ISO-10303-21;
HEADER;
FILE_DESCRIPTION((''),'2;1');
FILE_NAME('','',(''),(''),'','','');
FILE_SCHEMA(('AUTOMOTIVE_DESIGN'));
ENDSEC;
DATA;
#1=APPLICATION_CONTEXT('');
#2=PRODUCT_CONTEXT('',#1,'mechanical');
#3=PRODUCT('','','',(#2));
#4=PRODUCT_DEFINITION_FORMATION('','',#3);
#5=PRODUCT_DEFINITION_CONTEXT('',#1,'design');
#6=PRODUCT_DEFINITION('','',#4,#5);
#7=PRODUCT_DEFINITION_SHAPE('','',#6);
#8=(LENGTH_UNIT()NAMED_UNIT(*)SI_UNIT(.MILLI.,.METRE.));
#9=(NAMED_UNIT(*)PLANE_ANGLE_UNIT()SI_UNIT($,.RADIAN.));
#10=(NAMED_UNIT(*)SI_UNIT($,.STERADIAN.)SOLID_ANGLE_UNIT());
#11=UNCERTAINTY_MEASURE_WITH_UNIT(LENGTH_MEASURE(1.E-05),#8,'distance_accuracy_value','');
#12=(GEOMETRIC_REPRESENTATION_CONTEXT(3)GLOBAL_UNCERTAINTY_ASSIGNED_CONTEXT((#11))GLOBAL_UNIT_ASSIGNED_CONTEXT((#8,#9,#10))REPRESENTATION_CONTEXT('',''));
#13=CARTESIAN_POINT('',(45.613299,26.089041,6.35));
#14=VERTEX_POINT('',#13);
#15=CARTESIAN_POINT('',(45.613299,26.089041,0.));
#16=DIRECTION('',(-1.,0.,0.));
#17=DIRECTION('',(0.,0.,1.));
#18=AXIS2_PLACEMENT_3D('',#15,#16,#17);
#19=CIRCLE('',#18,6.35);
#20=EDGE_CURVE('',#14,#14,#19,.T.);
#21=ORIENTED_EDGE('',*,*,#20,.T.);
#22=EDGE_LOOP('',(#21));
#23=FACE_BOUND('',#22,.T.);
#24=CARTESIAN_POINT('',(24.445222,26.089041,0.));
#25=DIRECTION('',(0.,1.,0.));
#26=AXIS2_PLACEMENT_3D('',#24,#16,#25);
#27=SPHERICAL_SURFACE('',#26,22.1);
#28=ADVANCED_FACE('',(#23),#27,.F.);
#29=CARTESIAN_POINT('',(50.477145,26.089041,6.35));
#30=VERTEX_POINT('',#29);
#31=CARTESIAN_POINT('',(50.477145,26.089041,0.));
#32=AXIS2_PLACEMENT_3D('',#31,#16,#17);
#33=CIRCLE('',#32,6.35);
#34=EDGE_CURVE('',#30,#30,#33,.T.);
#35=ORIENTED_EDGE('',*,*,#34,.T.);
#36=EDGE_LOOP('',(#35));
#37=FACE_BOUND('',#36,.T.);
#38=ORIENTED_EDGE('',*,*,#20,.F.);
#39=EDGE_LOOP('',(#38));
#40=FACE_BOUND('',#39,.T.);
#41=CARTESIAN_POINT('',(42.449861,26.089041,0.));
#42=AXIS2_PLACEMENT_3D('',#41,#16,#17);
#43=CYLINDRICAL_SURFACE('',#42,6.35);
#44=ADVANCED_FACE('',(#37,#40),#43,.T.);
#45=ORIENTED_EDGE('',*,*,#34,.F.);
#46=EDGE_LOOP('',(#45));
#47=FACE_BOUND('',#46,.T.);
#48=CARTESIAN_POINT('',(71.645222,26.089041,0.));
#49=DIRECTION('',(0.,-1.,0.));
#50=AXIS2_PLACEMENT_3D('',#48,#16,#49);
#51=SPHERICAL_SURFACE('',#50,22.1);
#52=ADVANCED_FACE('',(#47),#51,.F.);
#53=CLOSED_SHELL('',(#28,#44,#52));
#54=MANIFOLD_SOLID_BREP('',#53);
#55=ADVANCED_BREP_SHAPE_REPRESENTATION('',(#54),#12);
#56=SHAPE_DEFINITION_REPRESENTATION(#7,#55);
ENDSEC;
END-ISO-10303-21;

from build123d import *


with BuildPart() as part:
    # 草图1 → 旋转1 (revolve)
    with BuildSketch(Plane.XY, mode=Mode.PRIVATE) as revolve_1_sk:
        with BuildLine():
            Line((46.545221984, 26.089041149), (49.545221984, 26.089041149))
            ThreePointArc((49.545221984, 26.089041149), (49.779443812, 29.298051112), (50.477144603, 32.439041149))
            Line((50.477144603, 32.439041149), (48.045221984, 32.439041149))
            Line((48.045221984, 32.439041149), (45.613299365, 32.439041149))
            ThreePointArc((45.613299365, 32.439041149), (46.311000156, 29.298051112), (46.545221984, 26.089041149))
        make_face()
    revolve(revolve_1_sk.sketch.rotate(Axis((42.449861114, 26.089041149, 0), (1, 0, 0)), 90), axis=Axis((42.449861114, 26.089041149, 0), (1, 0, 0)))  # turned: the seam where the file's is


solid = part.part
